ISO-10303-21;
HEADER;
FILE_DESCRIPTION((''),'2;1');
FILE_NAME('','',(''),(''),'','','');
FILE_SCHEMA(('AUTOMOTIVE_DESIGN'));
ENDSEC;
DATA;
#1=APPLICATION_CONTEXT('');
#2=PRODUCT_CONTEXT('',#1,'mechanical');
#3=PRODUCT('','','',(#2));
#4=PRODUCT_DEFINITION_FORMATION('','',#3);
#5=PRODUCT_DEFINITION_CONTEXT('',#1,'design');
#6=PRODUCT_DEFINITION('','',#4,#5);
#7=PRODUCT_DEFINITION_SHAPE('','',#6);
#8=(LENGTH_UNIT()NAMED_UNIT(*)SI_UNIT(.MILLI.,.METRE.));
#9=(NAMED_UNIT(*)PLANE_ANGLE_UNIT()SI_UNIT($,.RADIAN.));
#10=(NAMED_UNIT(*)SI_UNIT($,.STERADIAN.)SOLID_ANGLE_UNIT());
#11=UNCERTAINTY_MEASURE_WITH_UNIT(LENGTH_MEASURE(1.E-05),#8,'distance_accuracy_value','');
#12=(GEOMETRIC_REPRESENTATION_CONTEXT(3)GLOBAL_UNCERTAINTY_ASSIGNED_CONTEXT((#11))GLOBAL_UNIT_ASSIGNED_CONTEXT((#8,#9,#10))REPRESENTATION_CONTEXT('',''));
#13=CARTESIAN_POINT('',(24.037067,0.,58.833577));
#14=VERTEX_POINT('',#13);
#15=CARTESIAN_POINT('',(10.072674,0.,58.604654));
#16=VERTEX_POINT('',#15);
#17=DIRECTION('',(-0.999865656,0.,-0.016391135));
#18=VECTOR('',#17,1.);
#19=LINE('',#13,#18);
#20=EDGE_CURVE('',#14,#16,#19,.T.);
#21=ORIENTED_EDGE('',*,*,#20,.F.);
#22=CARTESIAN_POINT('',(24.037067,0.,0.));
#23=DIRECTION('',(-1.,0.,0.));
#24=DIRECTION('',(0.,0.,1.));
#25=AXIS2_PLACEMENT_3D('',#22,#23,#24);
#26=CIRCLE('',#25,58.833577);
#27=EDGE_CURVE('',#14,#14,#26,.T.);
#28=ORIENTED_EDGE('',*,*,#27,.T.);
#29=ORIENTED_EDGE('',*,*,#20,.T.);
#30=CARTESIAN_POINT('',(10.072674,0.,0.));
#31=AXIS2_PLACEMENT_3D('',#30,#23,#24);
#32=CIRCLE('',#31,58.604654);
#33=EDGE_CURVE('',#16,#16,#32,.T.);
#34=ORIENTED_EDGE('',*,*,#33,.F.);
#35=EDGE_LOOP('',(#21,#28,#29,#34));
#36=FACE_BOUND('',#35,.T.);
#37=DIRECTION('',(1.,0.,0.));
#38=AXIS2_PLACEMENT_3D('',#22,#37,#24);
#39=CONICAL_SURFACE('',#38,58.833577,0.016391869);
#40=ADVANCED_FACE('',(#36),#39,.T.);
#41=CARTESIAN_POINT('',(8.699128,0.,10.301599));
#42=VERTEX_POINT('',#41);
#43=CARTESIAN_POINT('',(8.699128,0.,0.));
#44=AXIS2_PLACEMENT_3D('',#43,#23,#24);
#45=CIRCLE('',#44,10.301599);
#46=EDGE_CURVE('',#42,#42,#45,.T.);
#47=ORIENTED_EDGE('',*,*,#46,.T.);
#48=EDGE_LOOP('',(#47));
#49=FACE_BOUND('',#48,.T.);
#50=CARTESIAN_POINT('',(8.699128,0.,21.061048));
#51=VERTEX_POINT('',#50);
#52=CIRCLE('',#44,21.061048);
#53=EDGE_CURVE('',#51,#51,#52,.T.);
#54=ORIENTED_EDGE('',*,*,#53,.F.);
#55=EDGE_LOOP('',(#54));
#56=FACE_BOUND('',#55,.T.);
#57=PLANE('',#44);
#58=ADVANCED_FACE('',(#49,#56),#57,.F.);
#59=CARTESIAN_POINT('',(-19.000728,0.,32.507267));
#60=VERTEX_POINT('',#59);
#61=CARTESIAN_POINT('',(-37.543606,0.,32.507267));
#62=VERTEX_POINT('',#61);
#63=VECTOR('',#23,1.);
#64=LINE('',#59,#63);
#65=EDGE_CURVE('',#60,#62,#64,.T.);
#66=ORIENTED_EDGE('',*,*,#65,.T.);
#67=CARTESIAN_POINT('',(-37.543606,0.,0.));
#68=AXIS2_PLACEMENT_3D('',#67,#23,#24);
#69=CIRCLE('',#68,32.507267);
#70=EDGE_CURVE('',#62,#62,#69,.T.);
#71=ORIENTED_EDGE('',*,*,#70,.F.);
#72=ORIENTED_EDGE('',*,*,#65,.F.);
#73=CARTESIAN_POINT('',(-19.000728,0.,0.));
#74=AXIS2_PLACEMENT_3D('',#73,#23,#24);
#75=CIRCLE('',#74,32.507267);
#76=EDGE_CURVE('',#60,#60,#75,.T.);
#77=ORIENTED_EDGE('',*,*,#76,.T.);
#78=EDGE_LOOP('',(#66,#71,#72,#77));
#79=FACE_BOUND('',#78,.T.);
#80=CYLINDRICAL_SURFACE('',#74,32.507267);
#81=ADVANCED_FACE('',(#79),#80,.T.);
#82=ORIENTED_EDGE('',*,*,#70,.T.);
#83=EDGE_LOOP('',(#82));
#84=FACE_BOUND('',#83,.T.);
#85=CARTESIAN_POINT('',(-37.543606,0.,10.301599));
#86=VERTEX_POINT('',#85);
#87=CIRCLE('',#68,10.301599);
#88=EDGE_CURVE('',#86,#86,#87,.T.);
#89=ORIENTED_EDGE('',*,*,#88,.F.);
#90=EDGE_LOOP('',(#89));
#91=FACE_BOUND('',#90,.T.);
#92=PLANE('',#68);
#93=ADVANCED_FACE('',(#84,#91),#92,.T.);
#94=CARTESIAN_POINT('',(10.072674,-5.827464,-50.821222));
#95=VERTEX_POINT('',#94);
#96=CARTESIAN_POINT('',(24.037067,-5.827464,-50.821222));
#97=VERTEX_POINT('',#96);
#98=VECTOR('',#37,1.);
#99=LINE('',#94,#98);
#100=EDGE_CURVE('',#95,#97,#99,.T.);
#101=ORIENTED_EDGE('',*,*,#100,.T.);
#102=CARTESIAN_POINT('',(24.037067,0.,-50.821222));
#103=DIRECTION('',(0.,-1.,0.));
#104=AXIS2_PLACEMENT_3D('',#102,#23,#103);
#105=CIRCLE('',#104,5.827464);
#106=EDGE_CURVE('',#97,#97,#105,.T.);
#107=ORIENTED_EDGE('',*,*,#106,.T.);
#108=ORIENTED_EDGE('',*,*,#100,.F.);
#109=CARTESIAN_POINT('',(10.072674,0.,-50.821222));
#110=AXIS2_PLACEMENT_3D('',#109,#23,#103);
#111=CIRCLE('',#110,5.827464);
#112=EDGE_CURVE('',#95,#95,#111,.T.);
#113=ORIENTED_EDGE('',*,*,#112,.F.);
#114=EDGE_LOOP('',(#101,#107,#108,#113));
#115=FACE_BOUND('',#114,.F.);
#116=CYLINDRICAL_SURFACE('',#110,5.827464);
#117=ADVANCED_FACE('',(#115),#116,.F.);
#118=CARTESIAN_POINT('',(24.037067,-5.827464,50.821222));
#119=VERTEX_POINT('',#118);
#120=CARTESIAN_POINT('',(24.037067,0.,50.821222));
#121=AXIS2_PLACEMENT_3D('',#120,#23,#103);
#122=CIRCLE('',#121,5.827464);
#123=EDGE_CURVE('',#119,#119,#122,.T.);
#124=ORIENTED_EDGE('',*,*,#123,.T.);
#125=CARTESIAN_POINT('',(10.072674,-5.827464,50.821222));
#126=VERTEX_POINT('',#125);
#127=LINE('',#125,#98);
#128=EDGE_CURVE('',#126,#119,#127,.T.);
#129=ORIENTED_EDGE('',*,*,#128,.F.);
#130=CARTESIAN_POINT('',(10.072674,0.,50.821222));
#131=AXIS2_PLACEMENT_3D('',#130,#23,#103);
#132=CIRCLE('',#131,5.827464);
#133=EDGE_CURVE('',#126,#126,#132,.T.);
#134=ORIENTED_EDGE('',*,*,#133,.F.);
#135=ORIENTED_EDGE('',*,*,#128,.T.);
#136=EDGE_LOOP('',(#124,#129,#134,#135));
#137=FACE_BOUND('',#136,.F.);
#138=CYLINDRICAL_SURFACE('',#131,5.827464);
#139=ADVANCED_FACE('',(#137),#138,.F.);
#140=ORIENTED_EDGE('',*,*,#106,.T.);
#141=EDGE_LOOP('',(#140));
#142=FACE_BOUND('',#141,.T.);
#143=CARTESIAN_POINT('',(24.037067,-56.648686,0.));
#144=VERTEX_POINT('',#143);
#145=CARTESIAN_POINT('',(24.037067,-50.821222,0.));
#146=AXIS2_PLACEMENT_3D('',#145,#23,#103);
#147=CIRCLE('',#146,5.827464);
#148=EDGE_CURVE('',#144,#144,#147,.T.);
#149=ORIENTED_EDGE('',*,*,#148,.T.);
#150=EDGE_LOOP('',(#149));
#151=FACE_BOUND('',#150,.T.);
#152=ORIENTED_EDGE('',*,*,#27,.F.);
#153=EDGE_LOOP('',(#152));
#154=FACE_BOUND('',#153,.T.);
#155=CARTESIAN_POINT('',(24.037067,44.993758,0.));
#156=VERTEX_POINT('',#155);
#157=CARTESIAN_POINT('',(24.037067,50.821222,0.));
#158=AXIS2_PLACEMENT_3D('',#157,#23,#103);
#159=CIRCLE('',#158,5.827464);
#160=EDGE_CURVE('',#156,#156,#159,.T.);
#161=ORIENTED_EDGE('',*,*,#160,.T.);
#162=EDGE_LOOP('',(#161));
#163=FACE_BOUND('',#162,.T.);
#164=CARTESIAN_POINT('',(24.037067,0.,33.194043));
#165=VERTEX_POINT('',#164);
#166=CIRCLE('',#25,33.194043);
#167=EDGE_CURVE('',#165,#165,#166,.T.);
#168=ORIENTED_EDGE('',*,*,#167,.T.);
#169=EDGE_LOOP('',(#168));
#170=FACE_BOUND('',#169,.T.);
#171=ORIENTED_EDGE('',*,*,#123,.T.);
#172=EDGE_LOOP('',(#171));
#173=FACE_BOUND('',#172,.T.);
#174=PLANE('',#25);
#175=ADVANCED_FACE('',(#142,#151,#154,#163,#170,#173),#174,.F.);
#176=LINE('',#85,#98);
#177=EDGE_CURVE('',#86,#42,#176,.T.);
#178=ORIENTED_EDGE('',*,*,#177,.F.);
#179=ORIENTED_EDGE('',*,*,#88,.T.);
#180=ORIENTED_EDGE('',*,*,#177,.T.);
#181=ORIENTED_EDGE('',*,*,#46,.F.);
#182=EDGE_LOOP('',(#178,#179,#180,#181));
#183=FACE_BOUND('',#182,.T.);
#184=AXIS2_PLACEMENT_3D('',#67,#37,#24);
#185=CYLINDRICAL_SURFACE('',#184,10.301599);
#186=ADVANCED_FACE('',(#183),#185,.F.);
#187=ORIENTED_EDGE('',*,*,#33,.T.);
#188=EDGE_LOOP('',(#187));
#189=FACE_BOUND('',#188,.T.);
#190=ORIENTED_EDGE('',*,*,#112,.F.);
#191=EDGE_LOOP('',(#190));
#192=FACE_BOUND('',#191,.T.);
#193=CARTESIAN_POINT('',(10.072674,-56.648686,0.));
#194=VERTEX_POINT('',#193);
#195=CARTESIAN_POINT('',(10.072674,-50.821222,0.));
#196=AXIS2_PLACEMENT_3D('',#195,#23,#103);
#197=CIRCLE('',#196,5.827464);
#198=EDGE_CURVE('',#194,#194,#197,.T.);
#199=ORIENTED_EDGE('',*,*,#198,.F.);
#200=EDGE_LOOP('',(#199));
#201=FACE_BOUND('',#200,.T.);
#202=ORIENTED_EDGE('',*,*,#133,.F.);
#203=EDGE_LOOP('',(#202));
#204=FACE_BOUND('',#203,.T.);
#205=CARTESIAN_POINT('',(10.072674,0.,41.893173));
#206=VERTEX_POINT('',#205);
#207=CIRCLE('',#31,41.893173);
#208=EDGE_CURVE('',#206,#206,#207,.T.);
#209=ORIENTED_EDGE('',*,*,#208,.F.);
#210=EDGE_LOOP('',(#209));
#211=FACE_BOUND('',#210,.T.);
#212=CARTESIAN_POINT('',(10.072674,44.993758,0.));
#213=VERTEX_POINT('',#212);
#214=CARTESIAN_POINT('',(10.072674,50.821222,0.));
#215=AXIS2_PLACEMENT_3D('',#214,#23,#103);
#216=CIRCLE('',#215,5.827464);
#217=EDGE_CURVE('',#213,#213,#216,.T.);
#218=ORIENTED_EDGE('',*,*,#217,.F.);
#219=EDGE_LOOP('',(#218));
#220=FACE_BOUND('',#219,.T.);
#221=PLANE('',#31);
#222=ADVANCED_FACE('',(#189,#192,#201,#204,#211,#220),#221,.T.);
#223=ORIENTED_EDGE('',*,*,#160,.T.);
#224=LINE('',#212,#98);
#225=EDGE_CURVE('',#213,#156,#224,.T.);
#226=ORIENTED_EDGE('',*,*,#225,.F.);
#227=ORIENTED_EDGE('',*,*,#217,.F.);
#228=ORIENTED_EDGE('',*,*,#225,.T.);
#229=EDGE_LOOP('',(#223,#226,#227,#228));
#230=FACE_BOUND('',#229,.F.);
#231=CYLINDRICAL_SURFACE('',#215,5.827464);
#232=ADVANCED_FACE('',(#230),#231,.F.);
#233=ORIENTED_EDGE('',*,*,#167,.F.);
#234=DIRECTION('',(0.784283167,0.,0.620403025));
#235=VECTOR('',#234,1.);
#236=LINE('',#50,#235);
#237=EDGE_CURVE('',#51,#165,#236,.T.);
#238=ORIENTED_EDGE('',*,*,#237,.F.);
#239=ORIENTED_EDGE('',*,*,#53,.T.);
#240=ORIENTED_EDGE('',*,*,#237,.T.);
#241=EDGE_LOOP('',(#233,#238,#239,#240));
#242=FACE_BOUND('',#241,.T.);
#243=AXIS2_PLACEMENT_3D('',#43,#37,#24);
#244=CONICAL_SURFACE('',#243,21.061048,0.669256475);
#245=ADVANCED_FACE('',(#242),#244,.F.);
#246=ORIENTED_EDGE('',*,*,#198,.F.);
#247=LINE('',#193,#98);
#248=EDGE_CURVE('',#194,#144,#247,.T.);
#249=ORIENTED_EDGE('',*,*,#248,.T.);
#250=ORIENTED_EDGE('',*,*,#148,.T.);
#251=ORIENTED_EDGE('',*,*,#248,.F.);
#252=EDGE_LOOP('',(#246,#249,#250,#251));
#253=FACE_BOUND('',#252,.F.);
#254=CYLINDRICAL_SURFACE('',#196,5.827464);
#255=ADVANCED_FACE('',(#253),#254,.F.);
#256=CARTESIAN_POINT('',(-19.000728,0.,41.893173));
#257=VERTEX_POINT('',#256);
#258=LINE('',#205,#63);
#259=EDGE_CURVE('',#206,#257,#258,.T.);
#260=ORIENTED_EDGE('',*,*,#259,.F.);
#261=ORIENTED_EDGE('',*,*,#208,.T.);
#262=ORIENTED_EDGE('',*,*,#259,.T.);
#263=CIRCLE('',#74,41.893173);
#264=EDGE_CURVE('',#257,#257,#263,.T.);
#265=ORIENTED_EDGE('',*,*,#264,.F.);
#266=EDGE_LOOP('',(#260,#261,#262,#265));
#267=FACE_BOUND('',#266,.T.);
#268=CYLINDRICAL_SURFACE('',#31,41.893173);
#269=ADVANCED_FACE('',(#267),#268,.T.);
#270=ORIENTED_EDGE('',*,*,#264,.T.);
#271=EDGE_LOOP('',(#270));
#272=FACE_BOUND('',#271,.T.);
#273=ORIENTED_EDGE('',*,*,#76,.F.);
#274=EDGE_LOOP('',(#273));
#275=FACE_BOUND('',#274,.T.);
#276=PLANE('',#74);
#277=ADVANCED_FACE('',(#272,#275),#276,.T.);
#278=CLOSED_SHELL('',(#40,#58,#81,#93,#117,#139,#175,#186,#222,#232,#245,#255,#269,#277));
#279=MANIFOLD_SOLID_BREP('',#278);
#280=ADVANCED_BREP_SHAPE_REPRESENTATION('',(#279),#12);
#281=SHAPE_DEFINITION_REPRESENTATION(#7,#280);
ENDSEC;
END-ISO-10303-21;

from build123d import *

# Parameters (mm, degrees)
F2_R     = 5.827464
F3_DEPTH = 25


with BuildPart() as f1:
    # F0 (on Front) → F1 (revolve)
    with BuildSketch(Plane.XZ):
        Polygon((24.037067, 33.194043), (24.037067, 58.833577), (10.072674, 58.604654), (10.072674, 41.893173), (-19.000728, 41.893173), (-19.000728, 32.507267), (-37.543606, 32.507267), (-37.543606, 10.301599), (8.699128, 10.301599), (8.699128, 21.061048), align=None)
    revolve(axis=Axis((-38.91715, 0, 0), (-1, 0, 0)))

    # F2 (on face) → F3 (cut)
    with BuildSketch(Plane(origin=(10.072674, 0, 0), x_dir=(0, -1, 0), z_dir=(-1, 0, 0))):
        with Locations((0, 50.821222)):
            Circle(F2_R)
        with Locations((-50.821222, 0)):
            Circle(F2_R)
        with Locations((0, -50.821222)):
            Circle(F2_R)
        with Locations((50.821222, 0)):
            Circle(F2_R)
    extrude(amount=-F3_DEPTH, mode=Mode.SUBTRACT)


solid = f1.part
